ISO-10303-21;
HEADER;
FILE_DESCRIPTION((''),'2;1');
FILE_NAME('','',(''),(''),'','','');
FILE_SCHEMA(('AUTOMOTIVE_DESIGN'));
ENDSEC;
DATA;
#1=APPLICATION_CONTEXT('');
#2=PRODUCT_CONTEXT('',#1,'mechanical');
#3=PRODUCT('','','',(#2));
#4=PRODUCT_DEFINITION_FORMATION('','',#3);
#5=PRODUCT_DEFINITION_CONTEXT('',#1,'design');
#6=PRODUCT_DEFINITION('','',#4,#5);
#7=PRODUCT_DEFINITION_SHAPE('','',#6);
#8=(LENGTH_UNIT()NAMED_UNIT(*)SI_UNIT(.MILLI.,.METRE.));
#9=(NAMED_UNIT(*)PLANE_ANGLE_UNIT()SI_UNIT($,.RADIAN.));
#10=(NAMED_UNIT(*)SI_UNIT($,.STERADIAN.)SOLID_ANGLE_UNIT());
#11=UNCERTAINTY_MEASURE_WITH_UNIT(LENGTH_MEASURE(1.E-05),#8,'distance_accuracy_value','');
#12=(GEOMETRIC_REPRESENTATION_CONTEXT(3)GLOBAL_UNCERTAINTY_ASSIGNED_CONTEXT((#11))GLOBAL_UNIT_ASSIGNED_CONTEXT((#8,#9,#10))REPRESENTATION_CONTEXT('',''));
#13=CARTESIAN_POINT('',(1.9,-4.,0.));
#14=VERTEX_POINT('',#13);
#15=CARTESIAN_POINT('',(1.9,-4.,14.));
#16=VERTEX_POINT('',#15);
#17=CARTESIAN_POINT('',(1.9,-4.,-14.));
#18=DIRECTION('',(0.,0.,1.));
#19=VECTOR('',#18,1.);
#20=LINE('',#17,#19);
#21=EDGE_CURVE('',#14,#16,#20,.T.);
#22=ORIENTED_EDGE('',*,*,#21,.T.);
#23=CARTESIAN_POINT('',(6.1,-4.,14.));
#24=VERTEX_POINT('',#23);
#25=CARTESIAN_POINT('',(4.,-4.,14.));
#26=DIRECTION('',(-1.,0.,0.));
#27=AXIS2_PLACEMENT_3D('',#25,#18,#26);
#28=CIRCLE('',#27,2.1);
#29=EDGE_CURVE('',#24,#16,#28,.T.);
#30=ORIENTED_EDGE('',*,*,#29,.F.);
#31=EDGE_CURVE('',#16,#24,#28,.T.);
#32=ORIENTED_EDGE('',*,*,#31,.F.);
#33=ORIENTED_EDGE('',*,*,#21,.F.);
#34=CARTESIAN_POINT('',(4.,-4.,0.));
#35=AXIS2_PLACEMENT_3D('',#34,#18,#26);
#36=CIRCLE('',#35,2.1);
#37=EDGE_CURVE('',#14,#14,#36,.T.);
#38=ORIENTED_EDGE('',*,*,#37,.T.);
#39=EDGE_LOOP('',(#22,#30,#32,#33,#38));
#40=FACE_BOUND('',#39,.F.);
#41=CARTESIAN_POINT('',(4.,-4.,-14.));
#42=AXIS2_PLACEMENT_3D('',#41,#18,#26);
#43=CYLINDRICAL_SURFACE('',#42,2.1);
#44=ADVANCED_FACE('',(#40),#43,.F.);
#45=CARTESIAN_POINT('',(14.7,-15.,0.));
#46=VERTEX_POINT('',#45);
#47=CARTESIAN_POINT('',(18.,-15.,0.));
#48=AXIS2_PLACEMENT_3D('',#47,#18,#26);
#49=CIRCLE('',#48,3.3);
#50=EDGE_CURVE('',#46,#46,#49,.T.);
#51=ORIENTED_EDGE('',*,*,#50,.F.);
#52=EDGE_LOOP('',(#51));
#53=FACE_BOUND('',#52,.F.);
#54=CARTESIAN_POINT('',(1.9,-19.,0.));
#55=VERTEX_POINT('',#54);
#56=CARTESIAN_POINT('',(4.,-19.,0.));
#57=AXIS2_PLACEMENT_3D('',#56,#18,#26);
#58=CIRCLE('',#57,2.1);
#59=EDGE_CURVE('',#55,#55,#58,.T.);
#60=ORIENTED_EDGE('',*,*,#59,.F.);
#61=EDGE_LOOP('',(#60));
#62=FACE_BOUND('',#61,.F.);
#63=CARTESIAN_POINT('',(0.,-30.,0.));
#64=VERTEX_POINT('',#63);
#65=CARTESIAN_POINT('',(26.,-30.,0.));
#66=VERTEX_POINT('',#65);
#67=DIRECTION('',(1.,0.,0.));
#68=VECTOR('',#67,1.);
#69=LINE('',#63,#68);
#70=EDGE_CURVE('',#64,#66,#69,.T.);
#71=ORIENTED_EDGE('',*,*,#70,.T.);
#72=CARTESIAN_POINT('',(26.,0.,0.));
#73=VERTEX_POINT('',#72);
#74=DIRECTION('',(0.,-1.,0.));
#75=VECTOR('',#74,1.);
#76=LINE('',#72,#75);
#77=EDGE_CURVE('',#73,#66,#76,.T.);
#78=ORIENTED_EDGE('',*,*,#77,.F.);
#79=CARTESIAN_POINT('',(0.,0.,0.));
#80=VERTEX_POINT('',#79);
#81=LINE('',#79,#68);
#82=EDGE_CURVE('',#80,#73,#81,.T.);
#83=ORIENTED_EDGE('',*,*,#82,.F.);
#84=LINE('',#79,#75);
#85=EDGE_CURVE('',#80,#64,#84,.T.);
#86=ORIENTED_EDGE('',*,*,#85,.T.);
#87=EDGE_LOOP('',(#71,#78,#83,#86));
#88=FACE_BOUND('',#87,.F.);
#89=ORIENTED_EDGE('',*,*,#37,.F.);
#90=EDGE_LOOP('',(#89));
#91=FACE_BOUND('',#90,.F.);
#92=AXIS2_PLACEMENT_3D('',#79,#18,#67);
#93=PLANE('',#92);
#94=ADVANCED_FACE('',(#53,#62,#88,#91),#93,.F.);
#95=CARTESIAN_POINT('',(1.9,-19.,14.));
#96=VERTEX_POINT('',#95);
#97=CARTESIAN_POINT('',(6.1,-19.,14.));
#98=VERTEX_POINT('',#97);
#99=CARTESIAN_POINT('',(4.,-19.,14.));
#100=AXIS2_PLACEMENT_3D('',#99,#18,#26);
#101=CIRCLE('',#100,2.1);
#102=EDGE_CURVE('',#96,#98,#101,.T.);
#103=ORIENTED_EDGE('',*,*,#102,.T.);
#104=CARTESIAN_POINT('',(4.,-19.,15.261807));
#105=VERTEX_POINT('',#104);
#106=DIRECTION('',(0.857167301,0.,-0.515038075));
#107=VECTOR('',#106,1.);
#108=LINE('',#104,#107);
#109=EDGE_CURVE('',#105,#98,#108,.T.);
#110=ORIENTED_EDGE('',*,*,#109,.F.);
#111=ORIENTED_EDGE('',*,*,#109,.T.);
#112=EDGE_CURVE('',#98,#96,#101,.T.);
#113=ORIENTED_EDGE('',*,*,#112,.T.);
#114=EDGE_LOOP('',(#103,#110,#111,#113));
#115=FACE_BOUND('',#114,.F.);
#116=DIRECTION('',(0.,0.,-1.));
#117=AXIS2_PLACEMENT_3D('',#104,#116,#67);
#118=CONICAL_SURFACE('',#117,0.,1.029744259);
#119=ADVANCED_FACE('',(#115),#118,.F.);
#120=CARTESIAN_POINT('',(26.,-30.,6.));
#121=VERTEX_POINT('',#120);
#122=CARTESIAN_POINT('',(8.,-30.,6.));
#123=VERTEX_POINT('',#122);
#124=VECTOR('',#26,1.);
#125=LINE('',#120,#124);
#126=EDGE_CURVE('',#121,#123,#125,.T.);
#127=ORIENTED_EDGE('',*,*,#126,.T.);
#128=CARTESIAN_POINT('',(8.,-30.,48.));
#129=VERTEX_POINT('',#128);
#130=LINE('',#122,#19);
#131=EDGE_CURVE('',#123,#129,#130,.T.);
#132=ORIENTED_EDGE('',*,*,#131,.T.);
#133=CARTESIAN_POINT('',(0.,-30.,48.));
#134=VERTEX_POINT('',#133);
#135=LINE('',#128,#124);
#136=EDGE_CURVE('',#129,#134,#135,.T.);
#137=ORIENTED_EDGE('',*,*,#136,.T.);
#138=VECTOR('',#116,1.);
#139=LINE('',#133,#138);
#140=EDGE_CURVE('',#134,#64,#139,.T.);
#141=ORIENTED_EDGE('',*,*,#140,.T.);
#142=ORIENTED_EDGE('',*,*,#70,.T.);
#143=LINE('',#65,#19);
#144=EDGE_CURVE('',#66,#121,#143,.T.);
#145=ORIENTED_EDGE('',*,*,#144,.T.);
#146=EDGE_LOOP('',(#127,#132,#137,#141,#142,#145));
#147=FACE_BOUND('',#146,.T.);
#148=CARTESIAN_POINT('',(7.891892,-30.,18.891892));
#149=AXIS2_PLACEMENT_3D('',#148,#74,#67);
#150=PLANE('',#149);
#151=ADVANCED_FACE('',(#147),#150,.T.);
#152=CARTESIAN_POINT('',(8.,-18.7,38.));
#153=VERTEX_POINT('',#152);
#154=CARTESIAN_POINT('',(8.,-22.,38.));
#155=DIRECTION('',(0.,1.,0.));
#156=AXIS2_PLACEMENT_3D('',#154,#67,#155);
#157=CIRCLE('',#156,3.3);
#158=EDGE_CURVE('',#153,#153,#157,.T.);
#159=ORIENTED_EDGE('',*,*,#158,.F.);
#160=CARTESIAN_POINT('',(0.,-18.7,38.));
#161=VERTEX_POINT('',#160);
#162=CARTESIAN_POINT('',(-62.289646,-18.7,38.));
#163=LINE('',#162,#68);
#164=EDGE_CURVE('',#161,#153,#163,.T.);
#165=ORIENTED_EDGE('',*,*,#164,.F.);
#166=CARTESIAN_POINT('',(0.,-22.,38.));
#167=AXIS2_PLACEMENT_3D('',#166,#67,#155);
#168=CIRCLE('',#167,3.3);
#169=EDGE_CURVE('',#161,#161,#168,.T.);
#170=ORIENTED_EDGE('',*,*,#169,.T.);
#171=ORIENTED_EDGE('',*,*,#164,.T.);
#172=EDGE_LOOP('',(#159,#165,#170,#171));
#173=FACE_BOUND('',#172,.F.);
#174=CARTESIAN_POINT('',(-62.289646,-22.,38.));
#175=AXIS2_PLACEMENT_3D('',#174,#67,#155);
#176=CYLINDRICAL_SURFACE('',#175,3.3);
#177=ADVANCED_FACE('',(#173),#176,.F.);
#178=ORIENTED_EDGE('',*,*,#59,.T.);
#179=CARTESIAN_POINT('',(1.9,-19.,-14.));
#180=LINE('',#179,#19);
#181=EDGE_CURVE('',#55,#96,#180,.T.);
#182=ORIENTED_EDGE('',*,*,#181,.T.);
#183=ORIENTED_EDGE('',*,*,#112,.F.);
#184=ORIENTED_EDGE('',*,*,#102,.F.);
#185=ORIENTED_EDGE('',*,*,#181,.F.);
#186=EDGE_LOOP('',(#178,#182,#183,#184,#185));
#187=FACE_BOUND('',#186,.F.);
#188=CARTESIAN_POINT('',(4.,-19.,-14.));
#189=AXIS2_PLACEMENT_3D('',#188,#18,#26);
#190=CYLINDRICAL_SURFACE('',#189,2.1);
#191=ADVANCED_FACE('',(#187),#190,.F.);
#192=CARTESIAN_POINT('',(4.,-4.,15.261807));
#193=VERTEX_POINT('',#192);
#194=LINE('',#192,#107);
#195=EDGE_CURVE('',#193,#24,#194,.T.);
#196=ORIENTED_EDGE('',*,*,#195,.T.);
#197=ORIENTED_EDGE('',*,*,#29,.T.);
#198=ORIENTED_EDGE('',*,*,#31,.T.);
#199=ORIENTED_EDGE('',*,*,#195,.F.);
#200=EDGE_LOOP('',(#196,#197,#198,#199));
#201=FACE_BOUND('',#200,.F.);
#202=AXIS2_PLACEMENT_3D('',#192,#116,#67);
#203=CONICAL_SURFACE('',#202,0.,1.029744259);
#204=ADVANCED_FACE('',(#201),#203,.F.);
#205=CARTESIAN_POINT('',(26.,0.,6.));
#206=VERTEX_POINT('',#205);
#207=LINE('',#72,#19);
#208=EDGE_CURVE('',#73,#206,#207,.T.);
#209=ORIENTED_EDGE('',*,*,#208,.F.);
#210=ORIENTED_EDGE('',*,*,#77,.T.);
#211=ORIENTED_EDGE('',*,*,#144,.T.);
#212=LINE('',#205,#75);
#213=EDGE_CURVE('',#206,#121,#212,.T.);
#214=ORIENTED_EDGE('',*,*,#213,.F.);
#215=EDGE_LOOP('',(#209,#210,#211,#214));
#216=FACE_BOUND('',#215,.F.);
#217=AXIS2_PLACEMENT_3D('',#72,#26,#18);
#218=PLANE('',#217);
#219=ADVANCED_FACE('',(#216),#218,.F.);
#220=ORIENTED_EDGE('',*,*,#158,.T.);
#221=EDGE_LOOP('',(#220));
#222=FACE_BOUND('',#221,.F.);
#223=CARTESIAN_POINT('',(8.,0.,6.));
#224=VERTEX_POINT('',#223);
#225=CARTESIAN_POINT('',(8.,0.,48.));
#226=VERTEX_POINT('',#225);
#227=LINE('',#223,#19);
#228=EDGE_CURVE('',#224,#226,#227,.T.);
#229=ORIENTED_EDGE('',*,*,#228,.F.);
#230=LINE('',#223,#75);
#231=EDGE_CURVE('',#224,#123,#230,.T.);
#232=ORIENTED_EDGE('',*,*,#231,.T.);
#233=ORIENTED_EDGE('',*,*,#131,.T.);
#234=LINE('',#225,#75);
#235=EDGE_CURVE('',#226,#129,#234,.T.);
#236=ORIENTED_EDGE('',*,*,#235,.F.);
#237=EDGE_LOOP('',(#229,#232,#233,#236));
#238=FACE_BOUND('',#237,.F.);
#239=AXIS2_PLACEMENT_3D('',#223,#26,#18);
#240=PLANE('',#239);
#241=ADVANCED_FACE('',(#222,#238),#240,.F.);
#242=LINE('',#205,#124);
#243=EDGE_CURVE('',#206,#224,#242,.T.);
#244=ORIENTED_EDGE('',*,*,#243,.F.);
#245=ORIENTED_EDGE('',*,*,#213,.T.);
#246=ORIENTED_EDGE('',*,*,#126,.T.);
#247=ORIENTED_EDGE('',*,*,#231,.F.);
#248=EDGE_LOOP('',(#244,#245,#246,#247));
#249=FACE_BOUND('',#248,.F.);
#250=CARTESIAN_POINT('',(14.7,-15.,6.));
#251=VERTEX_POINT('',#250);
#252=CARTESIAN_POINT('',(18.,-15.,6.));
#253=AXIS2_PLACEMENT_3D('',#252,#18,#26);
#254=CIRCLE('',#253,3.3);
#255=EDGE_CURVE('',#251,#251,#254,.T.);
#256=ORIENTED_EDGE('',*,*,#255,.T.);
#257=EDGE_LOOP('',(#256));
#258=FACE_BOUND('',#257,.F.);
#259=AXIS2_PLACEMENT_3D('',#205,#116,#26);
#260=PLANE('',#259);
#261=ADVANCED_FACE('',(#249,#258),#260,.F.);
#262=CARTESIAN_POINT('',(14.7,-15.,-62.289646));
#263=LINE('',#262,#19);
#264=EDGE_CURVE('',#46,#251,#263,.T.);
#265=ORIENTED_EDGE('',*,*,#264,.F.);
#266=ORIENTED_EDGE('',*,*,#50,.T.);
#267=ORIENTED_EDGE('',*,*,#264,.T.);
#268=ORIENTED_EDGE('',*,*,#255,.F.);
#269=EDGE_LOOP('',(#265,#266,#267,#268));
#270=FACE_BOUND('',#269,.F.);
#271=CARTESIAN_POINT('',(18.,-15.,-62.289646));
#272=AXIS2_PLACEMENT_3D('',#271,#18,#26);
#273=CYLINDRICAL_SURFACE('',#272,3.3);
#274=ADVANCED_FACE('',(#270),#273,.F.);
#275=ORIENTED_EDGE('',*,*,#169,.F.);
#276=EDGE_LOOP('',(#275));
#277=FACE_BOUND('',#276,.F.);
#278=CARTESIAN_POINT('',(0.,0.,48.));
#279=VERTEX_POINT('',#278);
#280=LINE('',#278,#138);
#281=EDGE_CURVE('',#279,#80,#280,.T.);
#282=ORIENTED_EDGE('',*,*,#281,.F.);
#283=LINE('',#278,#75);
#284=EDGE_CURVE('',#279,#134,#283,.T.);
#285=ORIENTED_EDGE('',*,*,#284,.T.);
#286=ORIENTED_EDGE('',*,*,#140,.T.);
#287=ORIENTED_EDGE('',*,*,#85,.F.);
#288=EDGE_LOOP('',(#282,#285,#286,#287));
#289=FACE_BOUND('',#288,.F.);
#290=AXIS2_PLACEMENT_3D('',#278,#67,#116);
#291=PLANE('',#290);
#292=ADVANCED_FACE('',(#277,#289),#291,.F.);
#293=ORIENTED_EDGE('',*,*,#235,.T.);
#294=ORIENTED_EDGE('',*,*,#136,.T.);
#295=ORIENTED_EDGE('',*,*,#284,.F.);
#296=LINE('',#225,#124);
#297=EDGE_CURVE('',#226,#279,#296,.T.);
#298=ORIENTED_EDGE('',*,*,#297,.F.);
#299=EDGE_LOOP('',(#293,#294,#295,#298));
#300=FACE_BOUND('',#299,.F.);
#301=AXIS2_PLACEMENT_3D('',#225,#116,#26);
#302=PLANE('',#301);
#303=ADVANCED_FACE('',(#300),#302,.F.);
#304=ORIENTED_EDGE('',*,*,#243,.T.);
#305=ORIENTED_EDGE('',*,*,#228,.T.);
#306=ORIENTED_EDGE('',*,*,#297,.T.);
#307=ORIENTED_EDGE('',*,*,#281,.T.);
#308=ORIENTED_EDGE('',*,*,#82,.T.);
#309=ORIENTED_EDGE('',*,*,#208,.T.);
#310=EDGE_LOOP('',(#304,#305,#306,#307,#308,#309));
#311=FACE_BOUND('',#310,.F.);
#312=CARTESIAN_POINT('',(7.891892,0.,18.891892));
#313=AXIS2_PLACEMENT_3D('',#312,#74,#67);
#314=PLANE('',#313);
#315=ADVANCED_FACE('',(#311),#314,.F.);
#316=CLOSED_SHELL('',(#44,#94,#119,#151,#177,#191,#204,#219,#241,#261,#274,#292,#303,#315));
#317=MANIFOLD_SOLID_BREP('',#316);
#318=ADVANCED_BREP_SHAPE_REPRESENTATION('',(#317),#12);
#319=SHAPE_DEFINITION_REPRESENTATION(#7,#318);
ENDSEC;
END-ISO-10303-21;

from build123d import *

# Parameters (mm, degrees)
F1_DEPTH = 30
F3_D     = 6.6
F5_D     = 6.6
F6_D     = 4.2
F6_DEPTH = 14
F6_TIP   = 1.2618073


with BuildPart() as f1:
    # F0 (on Front) → F1 (new body)
    with BuildSketch(Plane.XZ):
        Polygon((8, 48), (0, 48), (0, 0), (26, 0), (26, 6), (8, 6), align=None)
    extrude(amount=F1_DEPTH)

    # F3 (through all)
    with Locations(Plane(origin=(0, 0, 0), x_dir=(0, -1, 0), z_dir=(-1, 0, 0))):
        with Locations((22, 38)):
            Hole(F3_D / 2)

    # F5 (through all)
    with Locations(Plane(origin=(0, 0, 0), x_dir=(1, 0, 0), z_dir=(0, 0, -1))):
        with Locations((18, 15)):
            Hole(F5_D / 2)

    # F6
    with Locations(Plane(origin=(0, 0, 0), x_dir=(1, 0, 0), z_dir=(0, 0, -1))):
        with Locations((4, 4), (4, 19)):
            Hole(F6_D / 2, depth=F6_DEPTH)
            with Locations((0, 0, -(F6_DEPTH + F6_TIP / 2))):  # 118° drill point
                Cone(0, F6_D / 2, F6_TIP, mode=Mode.SUBTRACT)


solid = f1.part
